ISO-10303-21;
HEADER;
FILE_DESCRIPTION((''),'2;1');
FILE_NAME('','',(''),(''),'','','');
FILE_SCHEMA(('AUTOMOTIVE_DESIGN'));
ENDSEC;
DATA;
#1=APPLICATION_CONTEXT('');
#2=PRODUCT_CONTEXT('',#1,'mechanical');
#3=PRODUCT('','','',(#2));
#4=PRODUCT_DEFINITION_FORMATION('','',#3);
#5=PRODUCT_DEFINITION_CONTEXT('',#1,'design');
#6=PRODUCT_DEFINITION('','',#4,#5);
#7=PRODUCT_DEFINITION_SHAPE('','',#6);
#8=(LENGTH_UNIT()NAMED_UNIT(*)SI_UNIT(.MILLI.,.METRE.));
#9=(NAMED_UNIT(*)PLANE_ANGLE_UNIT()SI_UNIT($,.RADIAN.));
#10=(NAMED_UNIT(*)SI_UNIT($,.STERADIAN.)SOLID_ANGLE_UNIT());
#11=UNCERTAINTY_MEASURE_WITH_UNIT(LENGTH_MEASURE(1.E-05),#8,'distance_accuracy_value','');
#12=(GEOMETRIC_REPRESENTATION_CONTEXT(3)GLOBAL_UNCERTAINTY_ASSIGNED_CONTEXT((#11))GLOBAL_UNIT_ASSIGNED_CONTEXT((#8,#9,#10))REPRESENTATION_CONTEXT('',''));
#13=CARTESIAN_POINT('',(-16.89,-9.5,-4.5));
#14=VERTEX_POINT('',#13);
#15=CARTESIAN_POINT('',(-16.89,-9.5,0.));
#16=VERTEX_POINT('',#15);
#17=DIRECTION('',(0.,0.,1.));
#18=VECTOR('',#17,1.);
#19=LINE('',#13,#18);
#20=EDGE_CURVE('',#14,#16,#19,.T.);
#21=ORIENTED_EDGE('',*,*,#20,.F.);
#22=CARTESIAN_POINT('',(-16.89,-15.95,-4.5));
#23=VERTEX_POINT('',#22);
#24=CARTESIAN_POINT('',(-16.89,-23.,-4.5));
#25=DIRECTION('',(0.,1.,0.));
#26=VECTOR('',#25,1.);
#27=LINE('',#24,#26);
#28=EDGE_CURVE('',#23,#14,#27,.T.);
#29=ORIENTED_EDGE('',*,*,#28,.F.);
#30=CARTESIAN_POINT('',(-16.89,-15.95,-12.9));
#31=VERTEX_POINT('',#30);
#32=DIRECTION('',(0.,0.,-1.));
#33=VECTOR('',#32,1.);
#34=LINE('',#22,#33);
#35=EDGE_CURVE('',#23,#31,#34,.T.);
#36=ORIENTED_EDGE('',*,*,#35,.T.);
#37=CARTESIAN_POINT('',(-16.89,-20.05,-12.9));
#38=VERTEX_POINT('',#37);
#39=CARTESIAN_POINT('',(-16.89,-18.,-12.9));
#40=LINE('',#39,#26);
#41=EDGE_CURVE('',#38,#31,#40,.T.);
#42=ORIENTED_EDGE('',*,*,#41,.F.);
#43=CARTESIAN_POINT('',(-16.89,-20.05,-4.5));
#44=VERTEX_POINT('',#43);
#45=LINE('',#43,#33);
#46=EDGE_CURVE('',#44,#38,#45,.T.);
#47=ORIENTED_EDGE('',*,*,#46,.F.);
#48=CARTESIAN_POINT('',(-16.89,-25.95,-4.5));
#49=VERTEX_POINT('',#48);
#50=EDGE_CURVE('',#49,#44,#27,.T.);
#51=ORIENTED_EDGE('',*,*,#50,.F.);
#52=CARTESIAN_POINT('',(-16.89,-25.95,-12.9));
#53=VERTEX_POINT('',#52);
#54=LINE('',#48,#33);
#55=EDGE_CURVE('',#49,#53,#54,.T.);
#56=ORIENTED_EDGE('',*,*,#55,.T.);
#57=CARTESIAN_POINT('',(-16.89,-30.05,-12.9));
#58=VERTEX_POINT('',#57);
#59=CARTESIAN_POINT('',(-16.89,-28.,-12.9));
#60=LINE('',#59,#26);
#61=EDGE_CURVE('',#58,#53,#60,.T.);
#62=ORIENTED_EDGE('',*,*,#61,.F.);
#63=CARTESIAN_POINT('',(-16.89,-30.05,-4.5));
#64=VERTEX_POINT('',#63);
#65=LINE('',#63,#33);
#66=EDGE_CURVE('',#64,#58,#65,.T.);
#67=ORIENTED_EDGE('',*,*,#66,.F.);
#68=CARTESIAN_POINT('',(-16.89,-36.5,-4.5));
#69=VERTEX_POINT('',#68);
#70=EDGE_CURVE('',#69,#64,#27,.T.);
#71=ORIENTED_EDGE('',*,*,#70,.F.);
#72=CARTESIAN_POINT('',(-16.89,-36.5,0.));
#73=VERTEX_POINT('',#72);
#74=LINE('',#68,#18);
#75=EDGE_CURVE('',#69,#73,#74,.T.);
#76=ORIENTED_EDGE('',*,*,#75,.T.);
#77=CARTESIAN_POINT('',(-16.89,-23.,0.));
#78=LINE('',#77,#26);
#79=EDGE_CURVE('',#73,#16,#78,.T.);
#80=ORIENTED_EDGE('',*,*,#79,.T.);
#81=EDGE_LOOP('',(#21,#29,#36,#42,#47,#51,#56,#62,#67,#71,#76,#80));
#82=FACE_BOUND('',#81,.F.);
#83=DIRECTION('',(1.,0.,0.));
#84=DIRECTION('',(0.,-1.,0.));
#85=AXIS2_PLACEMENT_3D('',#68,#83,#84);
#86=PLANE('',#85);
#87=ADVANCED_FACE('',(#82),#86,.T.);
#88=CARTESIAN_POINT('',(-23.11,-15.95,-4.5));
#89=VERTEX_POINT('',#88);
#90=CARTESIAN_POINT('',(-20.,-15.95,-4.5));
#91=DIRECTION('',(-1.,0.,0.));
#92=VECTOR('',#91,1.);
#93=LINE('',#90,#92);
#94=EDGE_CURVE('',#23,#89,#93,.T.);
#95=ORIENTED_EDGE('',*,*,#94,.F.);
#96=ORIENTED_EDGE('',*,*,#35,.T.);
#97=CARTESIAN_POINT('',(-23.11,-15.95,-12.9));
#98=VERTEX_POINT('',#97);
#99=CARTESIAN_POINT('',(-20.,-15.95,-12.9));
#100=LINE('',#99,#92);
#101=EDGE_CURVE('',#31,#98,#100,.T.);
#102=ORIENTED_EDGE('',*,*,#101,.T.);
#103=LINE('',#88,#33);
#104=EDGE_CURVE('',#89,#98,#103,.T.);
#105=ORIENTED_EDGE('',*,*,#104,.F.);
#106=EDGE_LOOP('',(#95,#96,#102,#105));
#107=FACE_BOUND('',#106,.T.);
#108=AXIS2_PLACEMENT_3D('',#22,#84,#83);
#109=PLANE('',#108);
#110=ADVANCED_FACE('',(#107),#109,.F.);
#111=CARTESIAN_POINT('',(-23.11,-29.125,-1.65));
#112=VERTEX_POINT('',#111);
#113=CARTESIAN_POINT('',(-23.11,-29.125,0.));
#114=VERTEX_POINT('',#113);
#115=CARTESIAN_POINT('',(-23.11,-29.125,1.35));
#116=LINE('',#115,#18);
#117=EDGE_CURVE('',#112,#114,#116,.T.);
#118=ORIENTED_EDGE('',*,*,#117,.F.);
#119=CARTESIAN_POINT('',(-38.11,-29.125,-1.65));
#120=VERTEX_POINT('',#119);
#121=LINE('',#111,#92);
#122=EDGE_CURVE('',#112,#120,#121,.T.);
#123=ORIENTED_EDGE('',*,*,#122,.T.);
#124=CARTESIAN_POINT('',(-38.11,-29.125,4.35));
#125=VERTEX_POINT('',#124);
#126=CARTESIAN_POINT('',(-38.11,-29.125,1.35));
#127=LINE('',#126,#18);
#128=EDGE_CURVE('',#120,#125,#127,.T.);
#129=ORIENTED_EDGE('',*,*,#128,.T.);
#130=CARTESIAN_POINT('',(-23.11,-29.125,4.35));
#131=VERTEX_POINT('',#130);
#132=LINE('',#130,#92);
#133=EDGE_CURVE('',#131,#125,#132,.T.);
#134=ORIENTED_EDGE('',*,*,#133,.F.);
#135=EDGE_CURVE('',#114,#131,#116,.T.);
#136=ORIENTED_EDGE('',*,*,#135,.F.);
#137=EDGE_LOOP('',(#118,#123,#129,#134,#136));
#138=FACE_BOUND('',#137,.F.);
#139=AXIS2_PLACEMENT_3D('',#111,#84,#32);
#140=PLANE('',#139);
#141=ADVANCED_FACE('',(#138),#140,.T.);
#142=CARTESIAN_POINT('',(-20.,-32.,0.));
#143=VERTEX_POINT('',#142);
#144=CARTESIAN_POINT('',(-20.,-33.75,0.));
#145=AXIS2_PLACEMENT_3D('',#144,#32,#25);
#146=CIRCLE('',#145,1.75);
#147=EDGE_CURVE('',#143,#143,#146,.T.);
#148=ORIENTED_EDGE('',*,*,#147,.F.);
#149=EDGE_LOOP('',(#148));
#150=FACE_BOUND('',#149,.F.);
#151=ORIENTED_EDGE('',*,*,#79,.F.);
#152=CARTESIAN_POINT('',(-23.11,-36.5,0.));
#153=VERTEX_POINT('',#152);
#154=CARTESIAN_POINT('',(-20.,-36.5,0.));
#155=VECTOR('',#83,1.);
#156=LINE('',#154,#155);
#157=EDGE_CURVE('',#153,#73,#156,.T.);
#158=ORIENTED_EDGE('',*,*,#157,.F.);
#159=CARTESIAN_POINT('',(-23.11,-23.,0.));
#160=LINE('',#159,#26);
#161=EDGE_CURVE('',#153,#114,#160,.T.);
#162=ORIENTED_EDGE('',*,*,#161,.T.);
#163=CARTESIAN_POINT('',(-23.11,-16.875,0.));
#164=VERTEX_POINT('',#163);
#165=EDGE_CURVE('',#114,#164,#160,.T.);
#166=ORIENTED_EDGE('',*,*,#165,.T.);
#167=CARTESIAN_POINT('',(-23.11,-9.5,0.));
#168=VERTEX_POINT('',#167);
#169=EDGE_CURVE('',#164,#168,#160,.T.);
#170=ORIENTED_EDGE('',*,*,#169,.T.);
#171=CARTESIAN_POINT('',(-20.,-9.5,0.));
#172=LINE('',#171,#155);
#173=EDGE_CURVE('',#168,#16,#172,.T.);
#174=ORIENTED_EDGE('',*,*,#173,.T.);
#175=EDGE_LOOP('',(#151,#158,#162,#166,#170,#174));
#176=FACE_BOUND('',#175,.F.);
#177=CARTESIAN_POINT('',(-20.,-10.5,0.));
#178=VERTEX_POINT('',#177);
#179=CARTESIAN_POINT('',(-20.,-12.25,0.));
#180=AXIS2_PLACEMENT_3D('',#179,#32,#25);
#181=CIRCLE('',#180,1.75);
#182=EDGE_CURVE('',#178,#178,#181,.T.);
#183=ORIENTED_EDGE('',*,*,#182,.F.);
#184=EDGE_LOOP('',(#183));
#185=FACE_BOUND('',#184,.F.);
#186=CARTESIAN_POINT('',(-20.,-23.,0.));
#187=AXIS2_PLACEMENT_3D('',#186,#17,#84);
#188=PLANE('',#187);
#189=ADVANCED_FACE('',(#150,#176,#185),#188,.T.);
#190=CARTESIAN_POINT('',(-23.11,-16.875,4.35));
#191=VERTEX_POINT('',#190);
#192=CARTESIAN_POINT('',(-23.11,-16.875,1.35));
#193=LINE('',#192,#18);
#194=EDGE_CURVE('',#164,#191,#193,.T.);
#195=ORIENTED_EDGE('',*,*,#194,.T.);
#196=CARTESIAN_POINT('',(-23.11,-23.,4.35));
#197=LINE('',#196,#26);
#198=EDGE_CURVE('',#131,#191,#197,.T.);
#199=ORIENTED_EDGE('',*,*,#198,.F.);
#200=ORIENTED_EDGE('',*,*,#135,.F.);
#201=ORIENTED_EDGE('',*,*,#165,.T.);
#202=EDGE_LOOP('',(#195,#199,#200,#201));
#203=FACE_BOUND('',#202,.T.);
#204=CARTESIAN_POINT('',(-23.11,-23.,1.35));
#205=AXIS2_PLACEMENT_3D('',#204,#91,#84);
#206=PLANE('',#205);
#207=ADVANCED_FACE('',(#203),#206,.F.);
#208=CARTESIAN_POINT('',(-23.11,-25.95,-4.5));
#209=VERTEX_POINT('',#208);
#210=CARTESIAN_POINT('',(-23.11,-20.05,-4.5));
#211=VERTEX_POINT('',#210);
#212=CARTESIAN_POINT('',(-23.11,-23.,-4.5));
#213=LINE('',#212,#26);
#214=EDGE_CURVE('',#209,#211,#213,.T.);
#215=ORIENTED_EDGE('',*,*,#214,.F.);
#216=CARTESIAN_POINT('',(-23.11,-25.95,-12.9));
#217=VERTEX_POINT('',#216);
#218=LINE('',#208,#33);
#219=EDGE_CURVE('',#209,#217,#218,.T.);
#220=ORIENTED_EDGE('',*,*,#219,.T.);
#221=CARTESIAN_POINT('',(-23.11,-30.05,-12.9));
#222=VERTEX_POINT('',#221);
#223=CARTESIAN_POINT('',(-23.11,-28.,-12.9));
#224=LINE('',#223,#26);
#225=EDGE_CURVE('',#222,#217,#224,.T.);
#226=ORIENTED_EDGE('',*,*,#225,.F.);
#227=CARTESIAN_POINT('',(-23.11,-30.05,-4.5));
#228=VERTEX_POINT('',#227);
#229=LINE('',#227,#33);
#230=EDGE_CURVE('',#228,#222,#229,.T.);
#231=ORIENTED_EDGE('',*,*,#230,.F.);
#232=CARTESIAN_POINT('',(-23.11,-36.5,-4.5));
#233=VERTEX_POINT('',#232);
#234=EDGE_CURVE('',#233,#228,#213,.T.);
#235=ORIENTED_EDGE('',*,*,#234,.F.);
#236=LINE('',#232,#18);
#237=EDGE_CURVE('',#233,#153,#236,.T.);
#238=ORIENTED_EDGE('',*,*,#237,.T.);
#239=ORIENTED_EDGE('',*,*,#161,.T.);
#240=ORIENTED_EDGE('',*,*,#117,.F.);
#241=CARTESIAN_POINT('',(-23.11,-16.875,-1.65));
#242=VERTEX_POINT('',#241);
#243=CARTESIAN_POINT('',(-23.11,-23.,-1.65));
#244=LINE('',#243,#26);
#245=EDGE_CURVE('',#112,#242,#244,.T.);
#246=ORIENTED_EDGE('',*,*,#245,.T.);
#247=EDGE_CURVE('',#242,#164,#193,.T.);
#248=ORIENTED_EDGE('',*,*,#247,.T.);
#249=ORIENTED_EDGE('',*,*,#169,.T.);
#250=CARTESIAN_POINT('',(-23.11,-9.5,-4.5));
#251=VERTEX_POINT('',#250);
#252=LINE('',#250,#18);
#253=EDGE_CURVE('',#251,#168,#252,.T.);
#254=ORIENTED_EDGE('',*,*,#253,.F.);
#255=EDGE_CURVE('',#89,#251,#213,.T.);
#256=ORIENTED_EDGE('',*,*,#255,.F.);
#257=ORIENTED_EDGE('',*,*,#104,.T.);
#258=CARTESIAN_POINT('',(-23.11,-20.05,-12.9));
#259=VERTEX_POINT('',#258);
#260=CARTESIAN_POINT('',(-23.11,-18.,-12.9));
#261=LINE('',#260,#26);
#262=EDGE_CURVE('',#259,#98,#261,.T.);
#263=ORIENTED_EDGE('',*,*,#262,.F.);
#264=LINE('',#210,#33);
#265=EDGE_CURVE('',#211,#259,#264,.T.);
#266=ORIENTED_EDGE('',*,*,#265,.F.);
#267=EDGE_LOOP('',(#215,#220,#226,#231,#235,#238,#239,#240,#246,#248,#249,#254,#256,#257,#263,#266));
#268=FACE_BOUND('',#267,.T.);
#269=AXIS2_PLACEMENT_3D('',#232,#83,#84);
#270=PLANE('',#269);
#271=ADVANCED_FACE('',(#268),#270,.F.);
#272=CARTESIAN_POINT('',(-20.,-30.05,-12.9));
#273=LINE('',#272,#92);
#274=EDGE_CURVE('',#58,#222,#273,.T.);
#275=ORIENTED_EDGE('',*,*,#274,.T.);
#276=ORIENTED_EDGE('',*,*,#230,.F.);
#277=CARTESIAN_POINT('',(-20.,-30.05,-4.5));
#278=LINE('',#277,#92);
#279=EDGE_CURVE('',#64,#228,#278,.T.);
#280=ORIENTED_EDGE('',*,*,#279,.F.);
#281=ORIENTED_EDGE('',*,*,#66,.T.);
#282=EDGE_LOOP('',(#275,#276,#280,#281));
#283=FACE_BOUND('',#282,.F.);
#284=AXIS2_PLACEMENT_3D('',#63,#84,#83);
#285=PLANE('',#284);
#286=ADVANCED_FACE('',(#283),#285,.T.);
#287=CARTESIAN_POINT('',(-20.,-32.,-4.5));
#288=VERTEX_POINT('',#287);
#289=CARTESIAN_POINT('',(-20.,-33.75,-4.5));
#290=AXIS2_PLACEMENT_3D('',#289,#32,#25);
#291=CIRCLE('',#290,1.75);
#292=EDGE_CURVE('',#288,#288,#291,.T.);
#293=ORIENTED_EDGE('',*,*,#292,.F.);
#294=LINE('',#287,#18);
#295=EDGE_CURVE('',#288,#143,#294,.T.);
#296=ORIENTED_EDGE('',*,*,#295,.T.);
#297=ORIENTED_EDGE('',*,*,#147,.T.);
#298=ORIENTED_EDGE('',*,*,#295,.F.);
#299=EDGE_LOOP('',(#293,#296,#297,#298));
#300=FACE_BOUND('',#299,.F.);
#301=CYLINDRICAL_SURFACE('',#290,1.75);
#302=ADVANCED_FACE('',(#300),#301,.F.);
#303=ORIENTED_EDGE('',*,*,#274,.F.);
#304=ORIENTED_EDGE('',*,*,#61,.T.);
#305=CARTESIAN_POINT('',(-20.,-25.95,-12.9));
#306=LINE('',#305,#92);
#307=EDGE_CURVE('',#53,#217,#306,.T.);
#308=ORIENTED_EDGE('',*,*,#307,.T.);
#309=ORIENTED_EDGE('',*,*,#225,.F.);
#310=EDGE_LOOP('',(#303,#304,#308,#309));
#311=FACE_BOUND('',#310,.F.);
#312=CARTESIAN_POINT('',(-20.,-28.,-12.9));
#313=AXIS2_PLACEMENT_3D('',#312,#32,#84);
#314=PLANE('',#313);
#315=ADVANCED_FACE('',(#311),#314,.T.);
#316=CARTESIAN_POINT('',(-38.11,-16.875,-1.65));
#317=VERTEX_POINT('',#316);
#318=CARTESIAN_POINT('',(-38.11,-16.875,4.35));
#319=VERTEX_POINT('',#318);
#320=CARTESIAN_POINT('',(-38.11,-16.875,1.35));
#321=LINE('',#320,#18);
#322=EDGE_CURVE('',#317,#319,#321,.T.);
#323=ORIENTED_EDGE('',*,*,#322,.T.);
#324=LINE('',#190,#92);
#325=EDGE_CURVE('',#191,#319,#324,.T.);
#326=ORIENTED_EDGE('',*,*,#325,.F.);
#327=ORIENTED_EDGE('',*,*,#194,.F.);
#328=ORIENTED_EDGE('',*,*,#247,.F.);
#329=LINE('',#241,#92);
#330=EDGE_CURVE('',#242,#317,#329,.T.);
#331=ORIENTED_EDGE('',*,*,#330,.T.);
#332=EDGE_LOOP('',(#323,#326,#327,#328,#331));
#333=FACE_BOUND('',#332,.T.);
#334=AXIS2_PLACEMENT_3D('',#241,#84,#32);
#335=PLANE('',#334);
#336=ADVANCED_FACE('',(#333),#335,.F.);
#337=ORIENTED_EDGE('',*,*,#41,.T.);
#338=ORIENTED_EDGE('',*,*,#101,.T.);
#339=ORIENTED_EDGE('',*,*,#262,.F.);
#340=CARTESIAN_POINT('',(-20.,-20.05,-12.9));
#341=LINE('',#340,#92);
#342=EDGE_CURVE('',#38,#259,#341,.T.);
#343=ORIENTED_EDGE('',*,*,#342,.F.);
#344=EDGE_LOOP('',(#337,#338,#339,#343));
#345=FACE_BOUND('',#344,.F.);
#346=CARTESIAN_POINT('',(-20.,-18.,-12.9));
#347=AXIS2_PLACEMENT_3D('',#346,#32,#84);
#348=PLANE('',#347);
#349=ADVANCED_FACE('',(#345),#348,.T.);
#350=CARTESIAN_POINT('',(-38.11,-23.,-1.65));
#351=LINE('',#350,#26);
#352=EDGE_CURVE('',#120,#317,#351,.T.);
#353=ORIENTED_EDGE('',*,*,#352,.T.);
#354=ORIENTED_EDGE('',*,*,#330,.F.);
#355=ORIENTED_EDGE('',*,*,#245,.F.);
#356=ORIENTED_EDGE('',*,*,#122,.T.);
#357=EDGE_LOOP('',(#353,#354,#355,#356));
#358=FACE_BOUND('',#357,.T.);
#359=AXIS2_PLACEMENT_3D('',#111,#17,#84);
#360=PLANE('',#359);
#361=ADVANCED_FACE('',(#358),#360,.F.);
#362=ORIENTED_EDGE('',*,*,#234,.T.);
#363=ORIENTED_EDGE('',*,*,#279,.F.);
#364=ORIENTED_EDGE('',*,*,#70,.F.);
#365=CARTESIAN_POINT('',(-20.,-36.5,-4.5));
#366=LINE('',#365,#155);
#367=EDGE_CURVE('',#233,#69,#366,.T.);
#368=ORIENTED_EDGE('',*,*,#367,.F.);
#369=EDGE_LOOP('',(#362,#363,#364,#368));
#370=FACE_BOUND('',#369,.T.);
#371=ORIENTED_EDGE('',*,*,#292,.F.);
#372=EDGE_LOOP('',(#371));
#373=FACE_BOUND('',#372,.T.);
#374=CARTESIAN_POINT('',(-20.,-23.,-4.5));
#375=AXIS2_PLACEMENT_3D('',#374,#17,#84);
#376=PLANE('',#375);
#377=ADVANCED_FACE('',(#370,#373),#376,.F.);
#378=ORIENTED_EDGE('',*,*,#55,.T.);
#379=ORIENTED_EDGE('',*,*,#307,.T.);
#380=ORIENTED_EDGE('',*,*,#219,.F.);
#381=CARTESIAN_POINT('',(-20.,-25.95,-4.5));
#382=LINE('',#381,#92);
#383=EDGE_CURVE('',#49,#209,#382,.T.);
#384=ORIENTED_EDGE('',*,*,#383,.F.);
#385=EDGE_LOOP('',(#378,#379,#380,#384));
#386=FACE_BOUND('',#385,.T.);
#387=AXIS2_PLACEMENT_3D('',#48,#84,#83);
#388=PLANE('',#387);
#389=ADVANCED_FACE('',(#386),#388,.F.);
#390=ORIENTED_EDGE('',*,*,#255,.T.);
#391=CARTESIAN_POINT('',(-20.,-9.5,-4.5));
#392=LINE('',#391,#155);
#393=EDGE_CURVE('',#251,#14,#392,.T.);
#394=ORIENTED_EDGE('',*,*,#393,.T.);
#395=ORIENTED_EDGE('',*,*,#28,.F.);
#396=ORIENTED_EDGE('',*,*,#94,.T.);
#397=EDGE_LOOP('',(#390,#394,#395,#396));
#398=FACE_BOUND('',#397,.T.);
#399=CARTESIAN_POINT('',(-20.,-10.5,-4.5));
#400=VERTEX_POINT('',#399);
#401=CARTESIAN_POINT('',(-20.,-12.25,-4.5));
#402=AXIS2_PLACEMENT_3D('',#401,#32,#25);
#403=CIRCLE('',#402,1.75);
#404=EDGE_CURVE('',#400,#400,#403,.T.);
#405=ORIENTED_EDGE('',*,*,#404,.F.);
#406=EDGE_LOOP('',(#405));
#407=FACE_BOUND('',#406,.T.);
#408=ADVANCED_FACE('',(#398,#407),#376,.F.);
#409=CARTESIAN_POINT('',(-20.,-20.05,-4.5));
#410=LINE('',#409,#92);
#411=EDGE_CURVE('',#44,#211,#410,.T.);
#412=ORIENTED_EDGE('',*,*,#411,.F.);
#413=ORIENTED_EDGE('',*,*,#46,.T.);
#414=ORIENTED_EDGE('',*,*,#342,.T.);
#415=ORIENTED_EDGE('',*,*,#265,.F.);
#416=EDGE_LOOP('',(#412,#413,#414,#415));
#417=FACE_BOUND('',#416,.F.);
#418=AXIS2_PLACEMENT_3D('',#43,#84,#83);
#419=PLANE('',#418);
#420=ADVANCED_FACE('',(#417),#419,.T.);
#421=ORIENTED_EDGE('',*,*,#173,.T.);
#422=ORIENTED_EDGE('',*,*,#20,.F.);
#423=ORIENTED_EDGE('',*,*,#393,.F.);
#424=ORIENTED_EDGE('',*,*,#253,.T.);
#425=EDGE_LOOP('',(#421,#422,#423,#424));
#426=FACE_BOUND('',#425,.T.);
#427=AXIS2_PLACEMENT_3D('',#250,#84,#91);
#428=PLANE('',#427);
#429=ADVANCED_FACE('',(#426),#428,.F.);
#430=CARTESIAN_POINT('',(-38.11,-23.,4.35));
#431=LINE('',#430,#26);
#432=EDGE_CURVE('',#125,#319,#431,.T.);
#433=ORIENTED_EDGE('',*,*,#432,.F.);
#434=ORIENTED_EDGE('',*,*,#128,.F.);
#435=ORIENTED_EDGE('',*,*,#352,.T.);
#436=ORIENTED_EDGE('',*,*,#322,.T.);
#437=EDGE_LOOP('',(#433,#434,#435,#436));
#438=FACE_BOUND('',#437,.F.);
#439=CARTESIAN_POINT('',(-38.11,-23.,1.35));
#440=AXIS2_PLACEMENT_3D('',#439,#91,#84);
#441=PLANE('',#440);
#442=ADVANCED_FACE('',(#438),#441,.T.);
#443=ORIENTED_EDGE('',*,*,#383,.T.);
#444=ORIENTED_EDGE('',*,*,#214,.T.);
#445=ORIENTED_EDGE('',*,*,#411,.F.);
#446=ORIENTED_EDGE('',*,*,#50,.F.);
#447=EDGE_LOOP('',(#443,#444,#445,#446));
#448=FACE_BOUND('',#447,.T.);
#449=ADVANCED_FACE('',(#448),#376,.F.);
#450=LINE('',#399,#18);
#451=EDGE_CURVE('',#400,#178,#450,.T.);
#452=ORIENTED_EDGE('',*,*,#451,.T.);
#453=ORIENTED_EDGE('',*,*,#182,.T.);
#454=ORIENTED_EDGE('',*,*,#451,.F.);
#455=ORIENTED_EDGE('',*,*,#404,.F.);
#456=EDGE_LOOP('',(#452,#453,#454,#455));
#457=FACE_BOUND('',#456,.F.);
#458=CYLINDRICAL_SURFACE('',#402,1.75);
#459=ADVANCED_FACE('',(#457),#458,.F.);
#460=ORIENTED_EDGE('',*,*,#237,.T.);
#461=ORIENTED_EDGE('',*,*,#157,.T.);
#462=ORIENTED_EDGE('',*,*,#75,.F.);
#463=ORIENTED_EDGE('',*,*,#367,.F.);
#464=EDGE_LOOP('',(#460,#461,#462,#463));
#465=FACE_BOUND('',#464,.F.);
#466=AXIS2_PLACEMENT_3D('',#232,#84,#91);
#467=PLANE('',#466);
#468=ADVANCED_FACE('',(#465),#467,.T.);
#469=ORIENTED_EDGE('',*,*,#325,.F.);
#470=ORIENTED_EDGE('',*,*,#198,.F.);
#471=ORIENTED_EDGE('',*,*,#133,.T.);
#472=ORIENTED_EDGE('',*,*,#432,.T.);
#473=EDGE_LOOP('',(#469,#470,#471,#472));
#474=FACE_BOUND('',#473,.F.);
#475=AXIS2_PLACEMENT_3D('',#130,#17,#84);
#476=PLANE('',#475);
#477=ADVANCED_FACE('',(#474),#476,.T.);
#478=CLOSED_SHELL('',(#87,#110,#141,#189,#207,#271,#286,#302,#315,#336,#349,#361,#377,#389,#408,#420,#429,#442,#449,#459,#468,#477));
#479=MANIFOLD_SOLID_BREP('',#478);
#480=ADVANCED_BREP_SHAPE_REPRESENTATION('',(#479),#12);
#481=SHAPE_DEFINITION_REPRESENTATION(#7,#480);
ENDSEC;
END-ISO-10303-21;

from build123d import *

# Parameters (mm, degrees)
SKETCH028_W             = 27
SKETCH028_H             = 6.22
SKETCH028_R             = 1.75
PAD016_DEPTH            = 4.5
SKETCH029_W             = 4.1
SKETCH029_H             = 6.22
PAD017_DEPTH            = 8.4
SKETCH030_W             = 12.25
SKETCH030_H             = 6
PAD018_DEPTH            = 15
BODY004_PLACEMENT_ANGLE = 90


with BuildPart() as capteurvitesse:
    # Sketch028 → Pad016 (new body)
    with BuildSketch(Plane.XY):
        Rectangle(SKETCH028_W, SKETCH028_H)
        with Locations((10.75, 0)):
            Circle(SKETCH028_R, mode=Mode.SUBTRACT)
        with Locations((-10.75, 0)):
            Circle(SKETCH028_R, mode=Mode.SUBTRACT)
    extrude(amount=PAD016_DEPTH)

    # Sketch029 (on Face7 of Pad016) → Pad017 (join)
    with BuildSketch(Plane(origin=(0, 0, 0), x_dir=(1, 0, 0), z_dir=(0, 0, -1))):
        with Locations((-5, 0)):
            Rectangle(SKETCH029_W, SKETCH029_H)
        with Locations((5, 0)):
            Rectangle(SKETCH029_W, SKETCH029_H)
    extrude(amount=PAD017_DEPTH)

    # Sketch030 (on Face10 of Pad017) → Pad018 (join)
    with BuildSketch(Plane.XZ.offset(3.11)):
        with Locations((0, 5.85)):
            Rectangle(SKETCH030_W, SKETCH030_H)
    extrude(amount=PAD018_DEPTH)


with BuildPart() as capteurvitesse_1:
    # Body004 placement: moved
    add(capteurvitesse.part.moved(Location((-20, 23, -4.5))).rotate(Axis((-20, 23, -4.5), (0, 0, -1)), BODY004_PLACEMENT_ANGLE))


with BuildPart() as part_mirroring002:
    # Part__Mirroring002: instance of CapteurVitesse
    add(capteurvitesse_1.part.mirror(Plane(origin=(0, 0, 0), x_dir=(1, 0, 0), z_dir=(0, 1, 0))))


solid = part_mirroring002.part
